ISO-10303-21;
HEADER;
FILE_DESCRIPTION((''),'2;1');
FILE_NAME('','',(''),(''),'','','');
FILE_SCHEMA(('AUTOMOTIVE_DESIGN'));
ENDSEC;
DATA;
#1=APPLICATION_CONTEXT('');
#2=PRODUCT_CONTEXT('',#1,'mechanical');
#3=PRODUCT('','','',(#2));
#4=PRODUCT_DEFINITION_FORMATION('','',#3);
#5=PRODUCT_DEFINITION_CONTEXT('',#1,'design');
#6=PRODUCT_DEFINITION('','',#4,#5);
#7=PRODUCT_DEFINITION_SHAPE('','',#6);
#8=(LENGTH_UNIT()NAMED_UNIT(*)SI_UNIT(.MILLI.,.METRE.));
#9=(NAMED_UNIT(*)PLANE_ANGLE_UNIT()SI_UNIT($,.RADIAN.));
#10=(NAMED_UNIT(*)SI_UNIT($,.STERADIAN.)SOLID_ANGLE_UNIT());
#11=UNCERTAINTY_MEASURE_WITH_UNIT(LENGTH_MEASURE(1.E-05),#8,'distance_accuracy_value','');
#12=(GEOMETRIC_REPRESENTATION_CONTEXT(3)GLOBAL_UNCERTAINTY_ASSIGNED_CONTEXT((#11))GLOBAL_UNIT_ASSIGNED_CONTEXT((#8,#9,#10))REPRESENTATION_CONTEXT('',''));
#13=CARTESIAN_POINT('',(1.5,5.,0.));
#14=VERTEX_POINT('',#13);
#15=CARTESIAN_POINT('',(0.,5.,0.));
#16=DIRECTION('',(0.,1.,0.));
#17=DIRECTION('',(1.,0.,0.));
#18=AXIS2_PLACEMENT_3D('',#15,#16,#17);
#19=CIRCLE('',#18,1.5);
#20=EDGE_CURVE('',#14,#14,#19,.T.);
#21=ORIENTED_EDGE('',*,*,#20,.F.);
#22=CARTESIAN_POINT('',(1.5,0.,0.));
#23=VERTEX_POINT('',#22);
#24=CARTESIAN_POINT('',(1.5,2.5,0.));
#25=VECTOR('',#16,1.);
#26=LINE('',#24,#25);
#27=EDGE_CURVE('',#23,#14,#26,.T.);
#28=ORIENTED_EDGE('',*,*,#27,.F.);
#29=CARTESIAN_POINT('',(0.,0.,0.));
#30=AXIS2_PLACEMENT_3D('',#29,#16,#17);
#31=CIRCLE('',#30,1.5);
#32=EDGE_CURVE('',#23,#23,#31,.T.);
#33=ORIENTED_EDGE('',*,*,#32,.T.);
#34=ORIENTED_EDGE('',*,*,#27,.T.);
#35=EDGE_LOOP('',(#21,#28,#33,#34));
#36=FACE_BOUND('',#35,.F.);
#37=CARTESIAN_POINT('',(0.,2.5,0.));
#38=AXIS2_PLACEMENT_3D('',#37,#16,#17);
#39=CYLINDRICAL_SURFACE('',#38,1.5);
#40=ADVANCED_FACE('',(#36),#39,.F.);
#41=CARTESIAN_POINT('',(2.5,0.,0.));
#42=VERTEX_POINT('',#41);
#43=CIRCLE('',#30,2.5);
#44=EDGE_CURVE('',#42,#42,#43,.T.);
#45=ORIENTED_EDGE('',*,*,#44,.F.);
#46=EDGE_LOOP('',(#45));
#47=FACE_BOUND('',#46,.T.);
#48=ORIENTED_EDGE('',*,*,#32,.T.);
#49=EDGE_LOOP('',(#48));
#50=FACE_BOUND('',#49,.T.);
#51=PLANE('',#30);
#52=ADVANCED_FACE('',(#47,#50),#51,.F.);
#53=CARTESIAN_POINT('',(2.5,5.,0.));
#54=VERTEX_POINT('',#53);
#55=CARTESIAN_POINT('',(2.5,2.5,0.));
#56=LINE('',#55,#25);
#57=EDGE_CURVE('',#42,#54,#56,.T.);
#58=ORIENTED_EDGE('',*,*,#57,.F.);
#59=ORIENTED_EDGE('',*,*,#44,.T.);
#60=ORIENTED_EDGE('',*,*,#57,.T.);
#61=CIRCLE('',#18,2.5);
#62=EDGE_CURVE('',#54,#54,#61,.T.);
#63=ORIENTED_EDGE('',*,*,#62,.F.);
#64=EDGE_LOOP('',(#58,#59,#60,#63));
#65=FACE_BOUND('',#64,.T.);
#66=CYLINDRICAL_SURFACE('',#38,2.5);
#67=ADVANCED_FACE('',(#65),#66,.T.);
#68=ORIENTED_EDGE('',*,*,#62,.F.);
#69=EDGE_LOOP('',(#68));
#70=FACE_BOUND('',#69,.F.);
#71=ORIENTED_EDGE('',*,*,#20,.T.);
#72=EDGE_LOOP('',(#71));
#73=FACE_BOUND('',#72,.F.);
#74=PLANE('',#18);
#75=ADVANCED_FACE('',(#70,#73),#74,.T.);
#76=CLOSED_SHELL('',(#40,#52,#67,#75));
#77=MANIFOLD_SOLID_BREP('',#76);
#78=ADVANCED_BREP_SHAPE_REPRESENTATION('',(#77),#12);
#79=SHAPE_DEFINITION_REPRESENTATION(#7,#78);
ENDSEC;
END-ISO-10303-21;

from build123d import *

# Parameters (mm, degrees)
SKETCH1_W = 1
SKETCH1_H = 5


with BuildPart() as part:
    # Sketch1 → Revolve1 (revolve)
    with BuildSketch(Plane.XY):
        with Locations((2, 2.5)):
            Rectangle(SKETCH1_W, SKETCH1_H)
    revolve(axis=Axis((0, 0, 0), (0, 1, 0)))


solid = part.part
